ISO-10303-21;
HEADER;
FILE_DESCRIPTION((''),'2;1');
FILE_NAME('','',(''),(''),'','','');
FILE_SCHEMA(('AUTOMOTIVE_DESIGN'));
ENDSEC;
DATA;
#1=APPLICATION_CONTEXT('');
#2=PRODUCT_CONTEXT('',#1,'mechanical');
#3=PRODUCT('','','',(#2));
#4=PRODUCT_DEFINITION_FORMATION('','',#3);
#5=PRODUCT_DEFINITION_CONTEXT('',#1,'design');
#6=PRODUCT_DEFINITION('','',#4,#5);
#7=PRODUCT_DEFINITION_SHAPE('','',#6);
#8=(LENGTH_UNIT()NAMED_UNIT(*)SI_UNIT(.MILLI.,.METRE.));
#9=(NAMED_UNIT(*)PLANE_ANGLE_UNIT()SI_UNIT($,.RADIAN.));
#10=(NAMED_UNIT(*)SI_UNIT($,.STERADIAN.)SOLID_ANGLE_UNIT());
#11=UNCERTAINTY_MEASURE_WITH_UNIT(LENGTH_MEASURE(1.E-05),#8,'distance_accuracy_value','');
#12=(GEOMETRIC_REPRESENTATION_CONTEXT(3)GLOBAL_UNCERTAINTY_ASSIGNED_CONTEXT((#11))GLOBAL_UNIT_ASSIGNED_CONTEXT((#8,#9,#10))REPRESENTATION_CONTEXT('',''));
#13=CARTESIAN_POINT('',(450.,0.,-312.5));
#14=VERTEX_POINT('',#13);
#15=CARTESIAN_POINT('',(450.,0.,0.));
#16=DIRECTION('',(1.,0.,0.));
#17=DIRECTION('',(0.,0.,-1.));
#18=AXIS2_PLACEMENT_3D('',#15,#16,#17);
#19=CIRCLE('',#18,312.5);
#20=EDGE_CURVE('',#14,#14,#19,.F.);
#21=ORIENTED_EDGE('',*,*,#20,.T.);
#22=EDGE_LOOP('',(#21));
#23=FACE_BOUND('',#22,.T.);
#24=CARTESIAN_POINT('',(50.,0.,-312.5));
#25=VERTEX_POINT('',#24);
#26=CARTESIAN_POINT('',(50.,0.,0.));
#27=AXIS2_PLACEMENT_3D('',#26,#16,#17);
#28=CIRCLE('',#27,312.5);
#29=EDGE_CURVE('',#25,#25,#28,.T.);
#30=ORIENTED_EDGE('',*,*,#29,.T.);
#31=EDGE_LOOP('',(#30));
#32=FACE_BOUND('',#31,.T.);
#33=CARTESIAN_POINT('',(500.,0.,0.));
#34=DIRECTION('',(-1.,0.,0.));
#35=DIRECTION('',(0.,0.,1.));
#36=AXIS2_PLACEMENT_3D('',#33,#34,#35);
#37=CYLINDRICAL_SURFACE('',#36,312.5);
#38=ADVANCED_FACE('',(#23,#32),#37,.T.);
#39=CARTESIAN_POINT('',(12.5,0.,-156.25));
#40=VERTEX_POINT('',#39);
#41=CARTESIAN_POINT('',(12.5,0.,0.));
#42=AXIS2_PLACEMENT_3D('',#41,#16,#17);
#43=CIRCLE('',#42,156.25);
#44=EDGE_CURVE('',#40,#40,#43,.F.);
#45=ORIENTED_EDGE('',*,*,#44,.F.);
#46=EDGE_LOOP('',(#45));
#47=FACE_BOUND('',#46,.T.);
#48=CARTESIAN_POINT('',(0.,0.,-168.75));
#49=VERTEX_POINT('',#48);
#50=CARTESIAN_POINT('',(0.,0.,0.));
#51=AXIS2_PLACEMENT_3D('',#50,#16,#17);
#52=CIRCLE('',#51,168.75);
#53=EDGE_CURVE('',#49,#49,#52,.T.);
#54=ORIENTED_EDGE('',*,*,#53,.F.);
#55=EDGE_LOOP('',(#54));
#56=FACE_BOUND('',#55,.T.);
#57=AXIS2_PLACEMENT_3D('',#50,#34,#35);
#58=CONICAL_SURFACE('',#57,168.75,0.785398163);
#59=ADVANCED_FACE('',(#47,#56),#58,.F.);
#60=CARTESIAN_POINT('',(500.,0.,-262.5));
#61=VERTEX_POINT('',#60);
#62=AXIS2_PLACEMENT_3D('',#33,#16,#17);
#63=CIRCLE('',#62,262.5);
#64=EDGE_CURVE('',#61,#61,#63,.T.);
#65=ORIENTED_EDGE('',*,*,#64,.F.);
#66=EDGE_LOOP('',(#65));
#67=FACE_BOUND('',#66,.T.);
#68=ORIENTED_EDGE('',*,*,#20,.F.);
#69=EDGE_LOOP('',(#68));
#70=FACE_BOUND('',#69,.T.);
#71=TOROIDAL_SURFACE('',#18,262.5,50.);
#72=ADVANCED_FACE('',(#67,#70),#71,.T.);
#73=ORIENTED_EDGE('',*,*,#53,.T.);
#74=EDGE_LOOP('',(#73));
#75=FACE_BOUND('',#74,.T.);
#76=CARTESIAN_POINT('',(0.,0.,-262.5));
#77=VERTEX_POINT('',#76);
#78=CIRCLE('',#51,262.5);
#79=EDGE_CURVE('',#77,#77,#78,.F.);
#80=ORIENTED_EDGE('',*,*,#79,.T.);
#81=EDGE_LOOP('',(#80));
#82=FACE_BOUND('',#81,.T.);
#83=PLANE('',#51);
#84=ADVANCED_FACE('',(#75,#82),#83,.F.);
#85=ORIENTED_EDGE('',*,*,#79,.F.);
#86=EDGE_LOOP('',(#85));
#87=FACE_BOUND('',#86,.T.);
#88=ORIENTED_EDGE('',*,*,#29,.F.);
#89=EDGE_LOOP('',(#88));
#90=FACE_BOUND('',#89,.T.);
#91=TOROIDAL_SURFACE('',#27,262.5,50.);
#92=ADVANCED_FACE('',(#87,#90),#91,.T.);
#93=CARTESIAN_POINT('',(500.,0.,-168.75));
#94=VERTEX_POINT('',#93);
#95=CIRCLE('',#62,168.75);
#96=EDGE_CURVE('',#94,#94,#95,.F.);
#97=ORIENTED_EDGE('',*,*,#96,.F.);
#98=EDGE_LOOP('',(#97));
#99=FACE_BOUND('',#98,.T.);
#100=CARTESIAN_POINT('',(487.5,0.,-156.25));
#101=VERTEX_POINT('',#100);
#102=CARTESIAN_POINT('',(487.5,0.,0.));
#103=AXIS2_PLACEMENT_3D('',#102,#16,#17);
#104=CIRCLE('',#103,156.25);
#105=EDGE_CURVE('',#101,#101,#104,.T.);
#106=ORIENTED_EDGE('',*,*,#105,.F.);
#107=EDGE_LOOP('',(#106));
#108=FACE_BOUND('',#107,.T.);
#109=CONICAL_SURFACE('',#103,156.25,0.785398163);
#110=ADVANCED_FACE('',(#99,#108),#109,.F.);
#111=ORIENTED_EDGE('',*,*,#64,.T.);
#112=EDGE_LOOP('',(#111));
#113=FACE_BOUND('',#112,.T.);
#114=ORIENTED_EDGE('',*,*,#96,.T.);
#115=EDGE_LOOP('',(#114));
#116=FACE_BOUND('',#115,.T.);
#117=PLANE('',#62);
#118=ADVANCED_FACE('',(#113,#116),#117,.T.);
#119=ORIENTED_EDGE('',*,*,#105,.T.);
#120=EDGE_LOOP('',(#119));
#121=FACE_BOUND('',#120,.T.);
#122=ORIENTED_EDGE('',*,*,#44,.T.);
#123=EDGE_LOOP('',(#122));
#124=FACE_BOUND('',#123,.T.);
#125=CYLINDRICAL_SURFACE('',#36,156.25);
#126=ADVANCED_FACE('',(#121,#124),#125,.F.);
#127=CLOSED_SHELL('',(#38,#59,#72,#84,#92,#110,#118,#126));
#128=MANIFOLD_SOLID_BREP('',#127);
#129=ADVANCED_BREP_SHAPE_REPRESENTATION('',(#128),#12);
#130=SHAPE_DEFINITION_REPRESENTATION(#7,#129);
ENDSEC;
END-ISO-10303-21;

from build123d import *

# Parameters (mm, degrees)
SKETCH1_R           = 312.5
SKETCH1_R_2         = 156.25
BOSS_EXTRUDE1_DEPTH = 500
CHAMFER1_SIZE       = 12.5
FILLET1_R           = 50


with BuildPart() as part:
    # Sketch1 → Boss-Extrude1 (new body)
    with BuildSketch(Plane(origin=(0, 0, 0), x_dir=(0, 0, -1), z_dir=(1, 0, 0))):
        Circle(SKETCH1_R)
        Circle(SKETCH1_R_2, mode=Mode.SUBTRACT)
    extrude(amount=BOSS_EXTRUDE1_DEPTH)

    # Chamfer1
    chamfer1_edges = [part.edges().sort_by_distance(p)[0] for p in [
        (0, 0, 156.25),
        (500, 0, 156.25),
    ]]
    chamfer(chamfer1_edges, length=CHAMFER1_SIZE)

    # Fillet1
    fillet1_edges = [part.edges().sort_by_distance(p)[0] for p in [
        (0, 0, 312.5),
        (500, 0, 312.5),
    ]]
    fillet(fillet1_edges, radius=FILLET1_R)


solid = part.part
